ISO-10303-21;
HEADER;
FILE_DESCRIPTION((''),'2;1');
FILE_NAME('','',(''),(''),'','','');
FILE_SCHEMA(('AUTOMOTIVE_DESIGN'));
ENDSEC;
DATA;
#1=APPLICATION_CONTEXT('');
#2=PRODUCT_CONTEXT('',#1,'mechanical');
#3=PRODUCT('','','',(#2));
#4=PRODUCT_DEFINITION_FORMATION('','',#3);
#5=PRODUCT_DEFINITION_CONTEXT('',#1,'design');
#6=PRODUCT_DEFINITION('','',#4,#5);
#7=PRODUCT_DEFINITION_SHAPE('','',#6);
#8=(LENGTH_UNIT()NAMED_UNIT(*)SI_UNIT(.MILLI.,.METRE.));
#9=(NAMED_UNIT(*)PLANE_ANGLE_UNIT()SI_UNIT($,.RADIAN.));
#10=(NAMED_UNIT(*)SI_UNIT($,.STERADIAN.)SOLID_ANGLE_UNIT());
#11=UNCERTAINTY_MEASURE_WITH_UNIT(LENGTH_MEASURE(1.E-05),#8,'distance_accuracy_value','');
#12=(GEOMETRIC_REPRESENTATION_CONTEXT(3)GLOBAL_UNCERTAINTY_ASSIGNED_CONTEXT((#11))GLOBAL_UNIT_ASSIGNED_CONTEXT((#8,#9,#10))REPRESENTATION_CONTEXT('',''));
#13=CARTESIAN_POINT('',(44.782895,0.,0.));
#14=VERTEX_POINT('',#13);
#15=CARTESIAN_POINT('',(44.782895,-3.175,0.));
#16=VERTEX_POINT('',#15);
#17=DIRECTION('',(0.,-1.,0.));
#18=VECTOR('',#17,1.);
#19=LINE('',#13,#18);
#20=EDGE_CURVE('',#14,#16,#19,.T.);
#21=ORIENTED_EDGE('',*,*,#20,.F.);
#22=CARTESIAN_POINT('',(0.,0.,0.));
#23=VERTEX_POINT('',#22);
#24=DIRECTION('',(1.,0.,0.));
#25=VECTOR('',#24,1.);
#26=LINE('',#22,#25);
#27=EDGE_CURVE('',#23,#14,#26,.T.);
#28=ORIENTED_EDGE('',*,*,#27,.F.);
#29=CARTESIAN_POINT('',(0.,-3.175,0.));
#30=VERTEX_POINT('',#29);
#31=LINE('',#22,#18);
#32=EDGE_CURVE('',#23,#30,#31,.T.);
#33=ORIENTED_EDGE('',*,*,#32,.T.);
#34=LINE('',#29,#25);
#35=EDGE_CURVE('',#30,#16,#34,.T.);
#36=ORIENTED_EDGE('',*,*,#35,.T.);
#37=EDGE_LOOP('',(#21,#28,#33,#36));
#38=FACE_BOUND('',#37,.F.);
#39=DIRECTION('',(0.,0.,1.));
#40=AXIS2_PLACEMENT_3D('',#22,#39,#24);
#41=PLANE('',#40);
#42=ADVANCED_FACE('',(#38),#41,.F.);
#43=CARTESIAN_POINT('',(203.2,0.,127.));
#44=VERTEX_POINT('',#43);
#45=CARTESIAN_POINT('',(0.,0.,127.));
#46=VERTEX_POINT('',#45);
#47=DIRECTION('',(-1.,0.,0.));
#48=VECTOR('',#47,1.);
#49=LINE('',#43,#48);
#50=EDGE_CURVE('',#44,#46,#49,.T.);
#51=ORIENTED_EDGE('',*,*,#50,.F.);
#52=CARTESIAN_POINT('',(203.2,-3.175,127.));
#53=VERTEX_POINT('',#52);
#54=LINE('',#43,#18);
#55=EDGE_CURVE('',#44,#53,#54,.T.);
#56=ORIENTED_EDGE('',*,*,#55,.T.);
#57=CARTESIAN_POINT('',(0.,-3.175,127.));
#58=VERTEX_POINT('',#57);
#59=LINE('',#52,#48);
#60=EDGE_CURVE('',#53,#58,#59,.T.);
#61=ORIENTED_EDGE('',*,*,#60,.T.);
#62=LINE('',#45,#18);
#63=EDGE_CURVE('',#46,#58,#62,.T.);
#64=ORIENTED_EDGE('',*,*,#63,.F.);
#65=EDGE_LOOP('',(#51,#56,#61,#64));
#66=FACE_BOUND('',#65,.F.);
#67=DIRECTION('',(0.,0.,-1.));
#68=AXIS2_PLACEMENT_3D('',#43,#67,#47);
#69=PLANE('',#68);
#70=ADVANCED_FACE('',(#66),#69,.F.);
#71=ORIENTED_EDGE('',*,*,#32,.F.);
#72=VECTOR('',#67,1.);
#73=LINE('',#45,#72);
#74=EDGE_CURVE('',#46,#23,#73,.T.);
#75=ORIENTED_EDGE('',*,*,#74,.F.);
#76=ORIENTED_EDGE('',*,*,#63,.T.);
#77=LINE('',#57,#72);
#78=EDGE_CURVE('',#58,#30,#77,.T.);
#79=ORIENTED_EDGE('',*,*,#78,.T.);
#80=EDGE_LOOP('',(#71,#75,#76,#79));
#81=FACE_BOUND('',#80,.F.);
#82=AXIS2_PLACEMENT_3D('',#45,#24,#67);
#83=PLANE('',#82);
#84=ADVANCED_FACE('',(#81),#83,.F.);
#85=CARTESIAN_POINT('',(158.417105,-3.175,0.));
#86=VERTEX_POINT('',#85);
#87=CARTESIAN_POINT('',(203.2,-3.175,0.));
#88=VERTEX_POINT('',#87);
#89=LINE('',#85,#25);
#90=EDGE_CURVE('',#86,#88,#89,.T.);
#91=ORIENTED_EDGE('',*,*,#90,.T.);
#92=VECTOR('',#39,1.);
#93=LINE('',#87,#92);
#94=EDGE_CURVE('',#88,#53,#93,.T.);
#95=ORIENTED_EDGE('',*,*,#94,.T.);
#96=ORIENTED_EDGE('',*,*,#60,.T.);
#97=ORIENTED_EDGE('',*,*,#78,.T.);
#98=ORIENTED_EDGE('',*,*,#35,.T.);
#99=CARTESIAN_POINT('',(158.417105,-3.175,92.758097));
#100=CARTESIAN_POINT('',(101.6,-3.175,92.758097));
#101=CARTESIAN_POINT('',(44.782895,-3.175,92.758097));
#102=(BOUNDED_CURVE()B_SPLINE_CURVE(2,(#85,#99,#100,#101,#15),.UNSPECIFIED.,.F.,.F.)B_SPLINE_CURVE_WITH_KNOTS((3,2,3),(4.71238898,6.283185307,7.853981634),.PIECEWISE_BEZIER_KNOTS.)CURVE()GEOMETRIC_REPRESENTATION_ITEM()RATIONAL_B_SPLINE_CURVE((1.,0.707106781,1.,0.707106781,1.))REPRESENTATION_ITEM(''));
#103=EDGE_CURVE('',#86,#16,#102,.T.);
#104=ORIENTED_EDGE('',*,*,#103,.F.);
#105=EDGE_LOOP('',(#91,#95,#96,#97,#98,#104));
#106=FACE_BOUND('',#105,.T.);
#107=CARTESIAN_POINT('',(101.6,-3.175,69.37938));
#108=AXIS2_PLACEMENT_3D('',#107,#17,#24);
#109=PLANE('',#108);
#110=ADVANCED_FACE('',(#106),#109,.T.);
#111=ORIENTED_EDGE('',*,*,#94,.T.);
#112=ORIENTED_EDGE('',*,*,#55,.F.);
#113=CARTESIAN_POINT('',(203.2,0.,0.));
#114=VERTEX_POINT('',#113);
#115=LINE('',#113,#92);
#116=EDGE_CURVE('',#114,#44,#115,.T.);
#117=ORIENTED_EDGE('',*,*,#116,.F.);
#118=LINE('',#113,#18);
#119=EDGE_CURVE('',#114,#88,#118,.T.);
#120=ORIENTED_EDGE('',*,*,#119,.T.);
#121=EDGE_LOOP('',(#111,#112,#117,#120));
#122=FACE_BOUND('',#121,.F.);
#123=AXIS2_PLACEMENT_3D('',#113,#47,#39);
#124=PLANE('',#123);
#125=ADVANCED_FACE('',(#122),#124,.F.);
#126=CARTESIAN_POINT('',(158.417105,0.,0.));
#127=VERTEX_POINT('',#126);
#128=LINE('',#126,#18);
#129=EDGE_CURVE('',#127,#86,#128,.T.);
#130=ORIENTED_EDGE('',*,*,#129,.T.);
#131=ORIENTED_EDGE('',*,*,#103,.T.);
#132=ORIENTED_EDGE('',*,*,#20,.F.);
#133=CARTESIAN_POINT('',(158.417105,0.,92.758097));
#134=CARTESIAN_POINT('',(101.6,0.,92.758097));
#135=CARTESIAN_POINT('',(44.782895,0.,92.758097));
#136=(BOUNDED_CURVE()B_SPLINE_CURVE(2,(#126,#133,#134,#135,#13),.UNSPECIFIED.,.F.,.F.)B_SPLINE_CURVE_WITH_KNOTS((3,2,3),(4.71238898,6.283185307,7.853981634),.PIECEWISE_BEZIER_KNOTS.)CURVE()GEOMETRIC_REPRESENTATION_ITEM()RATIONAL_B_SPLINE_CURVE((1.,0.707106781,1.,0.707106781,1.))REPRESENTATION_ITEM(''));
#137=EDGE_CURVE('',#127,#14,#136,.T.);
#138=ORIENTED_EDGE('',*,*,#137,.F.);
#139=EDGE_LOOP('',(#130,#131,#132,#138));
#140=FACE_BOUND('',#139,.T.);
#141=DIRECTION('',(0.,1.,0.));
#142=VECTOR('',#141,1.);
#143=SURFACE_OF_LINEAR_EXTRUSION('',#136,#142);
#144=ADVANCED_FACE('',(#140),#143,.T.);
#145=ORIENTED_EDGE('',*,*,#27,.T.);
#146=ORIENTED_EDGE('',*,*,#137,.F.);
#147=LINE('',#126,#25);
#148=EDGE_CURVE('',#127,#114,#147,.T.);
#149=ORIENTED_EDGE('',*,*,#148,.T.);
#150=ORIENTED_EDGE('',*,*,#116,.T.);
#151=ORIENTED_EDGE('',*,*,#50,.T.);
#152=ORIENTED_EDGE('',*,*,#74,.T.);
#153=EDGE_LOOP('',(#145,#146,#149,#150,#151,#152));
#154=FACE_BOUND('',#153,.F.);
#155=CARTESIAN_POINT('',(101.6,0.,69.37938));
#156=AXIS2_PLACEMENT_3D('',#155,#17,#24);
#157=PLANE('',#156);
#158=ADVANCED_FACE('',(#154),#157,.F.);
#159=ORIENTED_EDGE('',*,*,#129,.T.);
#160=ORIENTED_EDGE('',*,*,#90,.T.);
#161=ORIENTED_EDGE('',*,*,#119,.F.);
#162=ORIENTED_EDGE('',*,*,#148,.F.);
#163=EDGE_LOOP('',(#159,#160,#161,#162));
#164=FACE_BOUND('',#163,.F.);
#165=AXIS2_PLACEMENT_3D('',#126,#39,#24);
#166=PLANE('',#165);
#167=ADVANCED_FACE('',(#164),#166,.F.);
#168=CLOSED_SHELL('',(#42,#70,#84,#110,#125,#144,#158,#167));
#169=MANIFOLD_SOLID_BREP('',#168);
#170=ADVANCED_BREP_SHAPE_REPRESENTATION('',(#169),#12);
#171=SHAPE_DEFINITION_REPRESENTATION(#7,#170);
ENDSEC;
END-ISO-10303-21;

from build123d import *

# Parameters (mm, degrees)
F1_DEPTH = 3.175


with BuildPart() as f1:
    # F0 (on Front) → F1 (new body)
    with BuildSketch(Plane.XZ):
        with BuildLine():
            Line((0, 127), (0, 0))
            Line((0, 0), (44.7828951552, 0))
            add(Edge.make_bspline(
                [(158.4171048448, 0), (158.4171048448, 92.7580967546), (101.6, 92.7580967546), (44.7828951552, 92.7580967546), (44.7828951552, 0)],
                knots=[4.7123889804, 4.7123889804, 4.7123889804, 6.2831853072, 6.2831853072, 7.853981634, 7.853981634, 7.853981634], degree=2, weights=[1, 0.7071067812, 1, 0.7071067812, 1]))
            Line((158.4171048448, 0), (203.2, 0))
            Line((203.2, 0), (203.2, 127))
            Line((203.2, 127), (0, 127))
        make_face()
    extrude(amount=F1_DEPTH)


solid = f1.part
